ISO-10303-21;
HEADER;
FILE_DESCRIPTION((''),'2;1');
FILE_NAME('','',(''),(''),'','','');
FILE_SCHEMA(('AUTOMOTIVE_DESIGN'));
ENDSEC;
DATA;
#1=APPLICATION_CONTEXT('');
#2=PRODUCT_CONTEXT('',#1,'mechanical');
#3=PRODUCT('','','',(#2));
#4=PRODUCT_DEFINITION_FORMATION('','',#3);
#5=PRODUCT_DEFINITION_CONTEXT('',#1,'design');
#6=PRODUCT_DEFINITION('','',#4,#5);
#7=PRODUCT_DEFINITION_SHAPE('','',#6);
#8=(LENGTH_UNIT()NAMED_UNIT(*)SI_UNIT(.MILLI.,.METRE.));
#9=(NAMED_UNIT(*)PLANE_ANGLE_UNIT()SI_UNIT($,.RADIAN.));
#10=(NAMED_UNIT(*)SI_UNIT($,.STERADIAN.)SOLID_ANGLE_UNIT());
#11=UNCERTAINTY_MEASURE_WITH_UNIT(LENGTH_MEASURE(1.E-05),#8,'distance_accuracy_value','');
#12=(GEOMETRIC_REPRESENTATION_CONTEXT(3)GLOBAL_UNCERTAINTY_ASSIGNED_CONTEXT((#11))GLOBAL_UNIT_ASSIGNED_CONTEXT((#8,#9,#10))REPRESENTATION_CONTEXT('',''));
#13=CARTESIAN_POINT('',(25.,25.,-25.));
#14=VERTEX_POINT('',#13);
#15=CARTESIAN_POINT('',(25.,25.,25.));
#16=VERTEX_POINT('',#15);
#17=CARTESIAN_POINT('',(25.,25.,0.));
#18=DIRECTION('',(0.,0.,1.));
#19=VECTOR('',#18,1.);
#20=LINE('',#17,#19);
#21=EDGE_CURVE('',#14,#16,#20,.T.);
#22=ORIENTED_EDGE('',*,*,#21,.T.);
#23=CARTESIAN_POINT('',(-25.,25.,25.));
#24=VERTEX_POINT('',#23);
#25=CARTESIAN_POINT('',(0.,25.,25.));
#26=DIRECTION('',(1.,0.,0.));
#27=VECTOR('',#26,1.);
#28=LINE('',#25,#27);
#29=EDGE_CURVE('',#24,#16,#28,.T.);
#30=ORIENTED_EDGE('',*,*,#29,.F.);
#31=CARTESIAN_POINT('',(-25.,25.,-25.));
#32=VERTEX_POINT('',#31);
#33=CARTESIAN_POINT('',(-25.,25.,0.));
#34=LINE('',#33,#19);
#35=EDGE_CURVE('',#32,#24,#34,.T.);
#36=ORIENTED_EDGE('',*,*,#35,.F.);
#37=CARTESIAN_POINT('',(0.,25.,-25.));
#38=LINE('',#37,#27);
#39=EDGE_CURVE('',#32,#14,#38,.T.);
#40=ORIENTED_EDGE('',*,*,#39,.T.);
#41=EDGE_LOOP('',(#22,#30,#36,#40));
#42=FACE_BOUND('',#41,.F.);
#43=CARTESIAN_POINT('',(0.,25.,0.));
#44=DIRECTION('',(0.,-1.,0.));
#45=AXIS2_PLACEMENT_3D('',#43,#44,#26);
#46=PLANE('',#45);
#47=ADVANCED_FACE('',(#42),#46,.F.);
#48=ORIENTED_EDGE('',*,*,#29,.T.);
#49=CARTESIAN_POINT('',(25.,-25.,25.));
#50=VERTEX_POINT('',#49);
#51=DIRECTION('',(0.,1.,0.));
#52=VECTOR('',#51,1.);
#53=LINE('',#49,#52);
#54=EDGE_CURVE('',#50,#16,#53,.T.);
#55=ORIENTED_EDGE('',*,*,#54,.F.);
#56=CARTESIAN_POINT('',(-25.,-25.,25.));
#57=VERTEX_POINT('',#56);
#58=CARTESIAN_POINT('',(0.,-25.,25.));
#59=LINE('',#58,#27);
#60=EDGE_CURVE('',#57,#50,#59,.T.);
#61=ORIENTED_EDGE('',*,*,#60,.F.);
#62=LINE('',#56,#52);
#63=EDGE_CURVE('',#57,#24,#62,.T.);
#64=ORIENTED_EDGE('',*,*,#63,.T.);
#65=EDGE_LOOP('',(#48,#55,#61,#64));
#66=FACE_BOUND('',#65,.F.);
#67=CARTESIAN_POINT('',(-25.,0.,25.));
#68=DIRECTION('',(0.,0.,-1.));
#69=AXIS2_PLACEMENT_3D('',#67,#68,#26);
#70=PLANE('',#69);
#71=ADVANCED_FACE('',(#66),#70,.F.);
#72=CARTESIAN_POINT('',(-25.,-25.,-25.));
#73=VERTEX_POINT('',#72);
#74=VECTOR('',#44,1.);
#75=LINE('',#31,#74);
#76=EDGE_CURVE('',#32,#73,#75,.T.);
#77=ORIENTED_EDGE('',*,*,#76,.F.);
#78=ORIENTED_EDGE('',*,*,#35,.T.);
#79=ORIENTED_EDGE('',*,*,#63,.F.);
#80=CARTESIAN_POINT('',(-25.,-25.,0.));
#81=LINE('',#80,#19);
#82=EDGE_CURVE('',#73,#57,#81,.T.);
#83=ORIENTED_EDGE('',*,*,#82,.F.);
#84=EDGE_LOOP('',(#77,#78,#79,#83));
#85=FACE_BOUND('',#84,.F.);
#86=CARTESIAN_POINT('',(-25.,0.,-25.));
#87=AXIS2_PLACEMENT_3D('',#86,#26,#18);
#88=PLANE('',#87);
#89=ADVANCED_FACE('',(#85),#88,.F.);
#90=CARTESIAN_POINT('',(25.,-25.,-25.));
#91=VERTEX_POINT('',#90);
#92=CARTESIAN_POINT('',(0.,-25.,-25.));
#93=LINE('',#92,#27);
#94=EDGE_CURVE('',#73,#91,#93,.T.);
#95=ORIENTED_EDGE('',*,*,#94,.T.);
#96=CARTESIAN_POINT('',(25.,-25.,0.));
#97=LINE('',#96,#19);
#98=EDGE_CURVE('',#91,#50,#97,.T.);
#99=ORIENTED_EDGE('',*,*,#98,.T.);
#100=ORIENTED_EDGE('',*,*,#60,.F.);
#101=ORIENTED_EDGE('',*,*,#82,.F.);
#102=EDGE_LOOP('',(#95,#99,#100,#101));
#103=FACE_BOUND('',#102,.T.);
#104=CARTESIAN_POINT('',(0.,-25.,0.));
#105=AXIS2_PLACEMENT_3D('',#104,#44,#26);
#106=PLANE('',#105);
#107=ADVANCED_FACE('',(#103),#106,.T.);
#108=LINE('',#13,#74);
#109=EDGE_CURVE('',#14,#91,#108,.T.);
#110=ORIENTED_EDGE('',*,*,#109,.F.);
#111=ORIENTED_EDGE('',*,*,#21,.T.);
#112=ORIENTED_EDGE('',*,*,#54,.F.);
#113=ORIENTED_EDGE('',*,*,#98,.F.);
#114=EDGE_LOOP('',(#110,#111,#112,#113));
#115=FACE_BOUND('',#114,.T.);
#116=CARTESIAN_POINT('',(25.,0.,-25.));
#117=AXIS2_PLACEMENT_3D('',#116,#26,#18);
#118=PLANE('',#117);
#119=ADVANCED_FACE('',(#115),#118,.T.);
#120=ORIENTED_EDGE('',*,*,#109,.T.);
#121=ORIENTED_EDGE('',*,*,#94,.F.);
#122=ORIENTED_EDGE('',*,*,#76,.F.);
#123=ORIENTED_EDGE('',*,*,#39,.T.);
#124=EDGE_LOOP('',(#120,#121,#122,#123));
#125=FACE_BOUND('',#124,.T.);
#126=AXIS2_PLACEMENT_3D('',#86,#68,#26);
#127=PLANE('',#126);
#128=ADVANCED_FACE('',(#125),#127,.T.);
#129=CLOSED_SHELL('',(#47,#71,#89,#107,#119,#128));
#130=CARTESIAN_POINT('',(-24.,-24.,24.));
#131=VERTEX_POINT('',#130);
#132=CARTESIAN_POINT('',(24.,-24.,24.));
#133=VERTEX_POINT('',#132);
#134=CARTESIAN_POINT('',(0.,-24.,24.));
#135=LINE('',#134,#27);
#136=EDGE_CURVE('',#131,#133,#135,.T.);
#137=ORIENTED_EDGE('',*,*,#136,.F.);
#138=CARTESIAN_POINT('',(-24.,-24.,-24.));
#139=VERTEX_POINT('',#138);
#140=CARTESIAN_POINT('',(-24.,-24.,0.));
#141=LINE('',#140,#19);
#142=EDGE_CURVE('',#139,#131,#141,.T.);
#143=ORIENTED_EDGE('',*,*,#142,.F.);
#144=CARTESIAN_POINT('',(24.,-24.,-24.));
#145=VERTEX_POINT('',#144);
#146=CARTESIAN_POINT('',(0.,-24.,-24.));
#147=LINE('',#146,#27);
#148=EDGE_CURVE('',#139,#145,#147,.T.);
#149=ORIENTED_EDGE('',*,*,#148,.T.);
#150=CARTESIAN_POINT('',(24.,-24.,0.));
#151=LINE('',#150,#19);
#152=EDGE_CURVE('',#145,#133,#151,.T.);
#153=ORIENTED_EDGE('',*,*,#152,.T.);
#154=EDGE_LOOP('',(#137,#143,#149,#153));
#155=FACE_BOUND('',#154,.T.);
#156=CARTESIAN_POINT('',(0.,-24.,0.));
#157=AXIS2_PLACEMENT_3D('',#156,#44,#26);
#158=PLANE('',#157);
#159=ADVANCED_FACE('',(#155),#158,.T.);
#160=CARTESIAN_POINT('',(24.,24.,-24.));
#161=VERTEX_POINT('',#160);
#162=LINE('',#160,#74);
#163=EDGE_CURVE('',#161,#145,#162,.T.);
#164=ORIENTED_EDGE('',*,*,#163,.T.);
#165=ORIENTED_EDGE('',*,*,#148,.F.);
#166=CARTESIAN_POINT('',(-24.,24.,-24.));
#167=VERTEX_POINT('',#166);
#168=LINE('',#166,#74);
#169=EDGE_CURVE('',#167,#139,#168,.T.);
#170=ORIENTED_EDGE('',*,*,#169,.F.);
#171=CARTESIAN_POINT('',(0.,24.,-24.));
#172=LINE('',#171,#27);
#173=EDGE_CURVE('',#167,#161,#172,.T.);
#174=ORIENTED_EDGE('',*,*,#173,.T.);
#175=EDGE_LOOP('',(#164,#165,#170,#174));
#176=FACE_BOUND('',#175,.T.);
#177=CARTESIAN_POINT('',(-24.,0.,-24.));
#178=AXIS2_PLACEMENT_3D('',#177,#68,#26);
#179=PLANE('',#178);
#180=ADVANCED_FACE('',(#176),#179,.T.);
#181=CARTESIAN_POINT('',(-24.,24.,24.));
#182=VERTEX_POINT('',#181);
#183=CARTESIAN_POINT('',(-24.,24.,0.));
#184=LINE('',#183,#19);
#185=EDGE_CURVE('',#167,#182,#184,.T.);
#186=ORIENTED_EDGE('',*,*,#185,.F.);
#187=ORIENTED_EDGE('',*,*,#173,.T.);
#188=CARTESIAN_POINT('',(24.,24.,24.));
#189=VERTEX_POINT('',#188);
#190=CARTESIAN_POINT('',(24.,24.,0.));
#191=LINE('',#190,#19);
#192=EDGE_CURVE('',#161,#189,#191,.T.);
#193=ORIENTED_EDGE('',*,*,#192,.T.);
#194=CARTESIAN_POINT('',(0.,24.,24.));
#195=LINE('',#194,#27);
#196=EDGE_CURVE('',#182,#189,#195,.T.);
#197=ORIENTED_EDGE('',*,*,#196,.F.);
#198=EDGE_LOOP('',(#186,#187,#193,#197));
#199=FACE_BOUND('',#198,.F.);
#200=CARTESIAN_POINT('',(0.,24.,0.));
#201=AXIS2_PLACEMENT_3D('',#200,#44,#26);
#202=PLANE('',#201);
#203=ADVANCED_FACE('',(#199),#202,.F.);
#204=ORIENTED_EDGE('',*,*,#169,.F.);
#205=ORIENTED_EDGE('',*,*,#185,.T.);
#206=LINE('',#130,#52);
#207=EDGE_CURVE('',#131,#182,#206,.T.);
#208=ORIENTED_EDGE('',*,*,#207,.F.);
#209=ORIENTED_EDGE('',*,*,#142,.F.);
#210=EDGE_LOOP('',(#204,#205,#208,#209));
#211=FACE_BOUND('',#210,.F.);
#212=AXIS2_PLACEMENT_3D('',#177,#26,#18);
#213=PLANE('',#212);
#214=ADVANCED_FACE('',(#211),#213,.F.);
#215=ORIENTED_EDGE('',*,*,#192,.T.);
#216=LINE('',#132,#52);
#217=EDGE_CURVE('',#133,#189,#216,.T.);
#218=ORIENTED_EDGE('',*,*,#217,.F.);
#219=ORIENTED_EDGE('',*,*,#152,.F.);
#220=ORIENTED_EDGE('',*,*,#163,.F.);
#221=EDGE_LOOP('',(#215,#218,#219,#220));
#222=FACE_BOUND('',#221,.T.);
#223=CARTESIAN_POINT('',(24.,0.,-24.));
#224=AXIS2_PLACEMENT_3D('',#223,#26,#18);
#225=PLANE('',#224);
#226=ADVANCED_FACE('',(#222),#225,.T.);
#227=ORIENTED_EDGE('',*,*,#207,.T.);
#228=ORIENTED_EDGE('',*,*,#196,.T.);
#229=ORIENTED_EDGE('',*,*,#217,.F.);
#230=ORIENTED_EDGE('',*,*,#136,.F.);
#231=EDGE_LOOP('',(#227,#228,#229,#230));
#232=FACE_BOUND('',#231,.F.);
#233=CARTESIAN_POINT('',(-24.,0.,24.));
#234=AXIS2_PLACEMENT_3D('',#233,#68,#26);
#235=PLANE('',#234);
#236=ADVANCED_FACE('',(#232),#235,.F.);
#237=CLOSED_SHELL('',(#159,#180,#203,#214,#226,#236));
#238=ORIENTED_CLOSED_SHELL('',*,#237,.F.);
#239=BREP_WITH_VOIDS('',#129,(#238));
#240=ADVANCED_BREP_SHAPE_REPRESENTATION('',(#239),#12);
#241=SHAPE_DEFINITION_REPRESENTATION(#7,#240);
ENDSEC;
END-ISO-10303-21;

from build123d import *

# Parameters (mm, degrees)
F0_W     = 50
F0_H     = 50
F0_W_2   = 48
F0_H_2   = 48
F1_DEPTH = 25
F2_DEPTH = 24


with BuildPart() as f1:
    # F0 (on Front) → F1 (new body, symmetric)
    with BuildSketch(Plane.XZ):
        Rectangle(F0_W, F0_H)
        Rectangle(F0_W_2, F0_H_2, mode=Mode.SUBTRACT)
        Rectangle(F0_W_2, F0_H_2)
    extrude(amount=F1_DEPTH, both=True)


with BuildPart() as f2:
    # F0 (on Front) → F2 (new body, symmetric)
    with BuildSketch(Plane.XZ):
        Rectangle(F0_W_2, F0_H_2)
    extrude(amount=F2_DEPTH, both=True)


with BuildPart() as f1_1:
    add(f1.part)

    # F3: cut F2
    add(f2.part, mode=Mode.SUBTRACT)


solid = f1_1.part
